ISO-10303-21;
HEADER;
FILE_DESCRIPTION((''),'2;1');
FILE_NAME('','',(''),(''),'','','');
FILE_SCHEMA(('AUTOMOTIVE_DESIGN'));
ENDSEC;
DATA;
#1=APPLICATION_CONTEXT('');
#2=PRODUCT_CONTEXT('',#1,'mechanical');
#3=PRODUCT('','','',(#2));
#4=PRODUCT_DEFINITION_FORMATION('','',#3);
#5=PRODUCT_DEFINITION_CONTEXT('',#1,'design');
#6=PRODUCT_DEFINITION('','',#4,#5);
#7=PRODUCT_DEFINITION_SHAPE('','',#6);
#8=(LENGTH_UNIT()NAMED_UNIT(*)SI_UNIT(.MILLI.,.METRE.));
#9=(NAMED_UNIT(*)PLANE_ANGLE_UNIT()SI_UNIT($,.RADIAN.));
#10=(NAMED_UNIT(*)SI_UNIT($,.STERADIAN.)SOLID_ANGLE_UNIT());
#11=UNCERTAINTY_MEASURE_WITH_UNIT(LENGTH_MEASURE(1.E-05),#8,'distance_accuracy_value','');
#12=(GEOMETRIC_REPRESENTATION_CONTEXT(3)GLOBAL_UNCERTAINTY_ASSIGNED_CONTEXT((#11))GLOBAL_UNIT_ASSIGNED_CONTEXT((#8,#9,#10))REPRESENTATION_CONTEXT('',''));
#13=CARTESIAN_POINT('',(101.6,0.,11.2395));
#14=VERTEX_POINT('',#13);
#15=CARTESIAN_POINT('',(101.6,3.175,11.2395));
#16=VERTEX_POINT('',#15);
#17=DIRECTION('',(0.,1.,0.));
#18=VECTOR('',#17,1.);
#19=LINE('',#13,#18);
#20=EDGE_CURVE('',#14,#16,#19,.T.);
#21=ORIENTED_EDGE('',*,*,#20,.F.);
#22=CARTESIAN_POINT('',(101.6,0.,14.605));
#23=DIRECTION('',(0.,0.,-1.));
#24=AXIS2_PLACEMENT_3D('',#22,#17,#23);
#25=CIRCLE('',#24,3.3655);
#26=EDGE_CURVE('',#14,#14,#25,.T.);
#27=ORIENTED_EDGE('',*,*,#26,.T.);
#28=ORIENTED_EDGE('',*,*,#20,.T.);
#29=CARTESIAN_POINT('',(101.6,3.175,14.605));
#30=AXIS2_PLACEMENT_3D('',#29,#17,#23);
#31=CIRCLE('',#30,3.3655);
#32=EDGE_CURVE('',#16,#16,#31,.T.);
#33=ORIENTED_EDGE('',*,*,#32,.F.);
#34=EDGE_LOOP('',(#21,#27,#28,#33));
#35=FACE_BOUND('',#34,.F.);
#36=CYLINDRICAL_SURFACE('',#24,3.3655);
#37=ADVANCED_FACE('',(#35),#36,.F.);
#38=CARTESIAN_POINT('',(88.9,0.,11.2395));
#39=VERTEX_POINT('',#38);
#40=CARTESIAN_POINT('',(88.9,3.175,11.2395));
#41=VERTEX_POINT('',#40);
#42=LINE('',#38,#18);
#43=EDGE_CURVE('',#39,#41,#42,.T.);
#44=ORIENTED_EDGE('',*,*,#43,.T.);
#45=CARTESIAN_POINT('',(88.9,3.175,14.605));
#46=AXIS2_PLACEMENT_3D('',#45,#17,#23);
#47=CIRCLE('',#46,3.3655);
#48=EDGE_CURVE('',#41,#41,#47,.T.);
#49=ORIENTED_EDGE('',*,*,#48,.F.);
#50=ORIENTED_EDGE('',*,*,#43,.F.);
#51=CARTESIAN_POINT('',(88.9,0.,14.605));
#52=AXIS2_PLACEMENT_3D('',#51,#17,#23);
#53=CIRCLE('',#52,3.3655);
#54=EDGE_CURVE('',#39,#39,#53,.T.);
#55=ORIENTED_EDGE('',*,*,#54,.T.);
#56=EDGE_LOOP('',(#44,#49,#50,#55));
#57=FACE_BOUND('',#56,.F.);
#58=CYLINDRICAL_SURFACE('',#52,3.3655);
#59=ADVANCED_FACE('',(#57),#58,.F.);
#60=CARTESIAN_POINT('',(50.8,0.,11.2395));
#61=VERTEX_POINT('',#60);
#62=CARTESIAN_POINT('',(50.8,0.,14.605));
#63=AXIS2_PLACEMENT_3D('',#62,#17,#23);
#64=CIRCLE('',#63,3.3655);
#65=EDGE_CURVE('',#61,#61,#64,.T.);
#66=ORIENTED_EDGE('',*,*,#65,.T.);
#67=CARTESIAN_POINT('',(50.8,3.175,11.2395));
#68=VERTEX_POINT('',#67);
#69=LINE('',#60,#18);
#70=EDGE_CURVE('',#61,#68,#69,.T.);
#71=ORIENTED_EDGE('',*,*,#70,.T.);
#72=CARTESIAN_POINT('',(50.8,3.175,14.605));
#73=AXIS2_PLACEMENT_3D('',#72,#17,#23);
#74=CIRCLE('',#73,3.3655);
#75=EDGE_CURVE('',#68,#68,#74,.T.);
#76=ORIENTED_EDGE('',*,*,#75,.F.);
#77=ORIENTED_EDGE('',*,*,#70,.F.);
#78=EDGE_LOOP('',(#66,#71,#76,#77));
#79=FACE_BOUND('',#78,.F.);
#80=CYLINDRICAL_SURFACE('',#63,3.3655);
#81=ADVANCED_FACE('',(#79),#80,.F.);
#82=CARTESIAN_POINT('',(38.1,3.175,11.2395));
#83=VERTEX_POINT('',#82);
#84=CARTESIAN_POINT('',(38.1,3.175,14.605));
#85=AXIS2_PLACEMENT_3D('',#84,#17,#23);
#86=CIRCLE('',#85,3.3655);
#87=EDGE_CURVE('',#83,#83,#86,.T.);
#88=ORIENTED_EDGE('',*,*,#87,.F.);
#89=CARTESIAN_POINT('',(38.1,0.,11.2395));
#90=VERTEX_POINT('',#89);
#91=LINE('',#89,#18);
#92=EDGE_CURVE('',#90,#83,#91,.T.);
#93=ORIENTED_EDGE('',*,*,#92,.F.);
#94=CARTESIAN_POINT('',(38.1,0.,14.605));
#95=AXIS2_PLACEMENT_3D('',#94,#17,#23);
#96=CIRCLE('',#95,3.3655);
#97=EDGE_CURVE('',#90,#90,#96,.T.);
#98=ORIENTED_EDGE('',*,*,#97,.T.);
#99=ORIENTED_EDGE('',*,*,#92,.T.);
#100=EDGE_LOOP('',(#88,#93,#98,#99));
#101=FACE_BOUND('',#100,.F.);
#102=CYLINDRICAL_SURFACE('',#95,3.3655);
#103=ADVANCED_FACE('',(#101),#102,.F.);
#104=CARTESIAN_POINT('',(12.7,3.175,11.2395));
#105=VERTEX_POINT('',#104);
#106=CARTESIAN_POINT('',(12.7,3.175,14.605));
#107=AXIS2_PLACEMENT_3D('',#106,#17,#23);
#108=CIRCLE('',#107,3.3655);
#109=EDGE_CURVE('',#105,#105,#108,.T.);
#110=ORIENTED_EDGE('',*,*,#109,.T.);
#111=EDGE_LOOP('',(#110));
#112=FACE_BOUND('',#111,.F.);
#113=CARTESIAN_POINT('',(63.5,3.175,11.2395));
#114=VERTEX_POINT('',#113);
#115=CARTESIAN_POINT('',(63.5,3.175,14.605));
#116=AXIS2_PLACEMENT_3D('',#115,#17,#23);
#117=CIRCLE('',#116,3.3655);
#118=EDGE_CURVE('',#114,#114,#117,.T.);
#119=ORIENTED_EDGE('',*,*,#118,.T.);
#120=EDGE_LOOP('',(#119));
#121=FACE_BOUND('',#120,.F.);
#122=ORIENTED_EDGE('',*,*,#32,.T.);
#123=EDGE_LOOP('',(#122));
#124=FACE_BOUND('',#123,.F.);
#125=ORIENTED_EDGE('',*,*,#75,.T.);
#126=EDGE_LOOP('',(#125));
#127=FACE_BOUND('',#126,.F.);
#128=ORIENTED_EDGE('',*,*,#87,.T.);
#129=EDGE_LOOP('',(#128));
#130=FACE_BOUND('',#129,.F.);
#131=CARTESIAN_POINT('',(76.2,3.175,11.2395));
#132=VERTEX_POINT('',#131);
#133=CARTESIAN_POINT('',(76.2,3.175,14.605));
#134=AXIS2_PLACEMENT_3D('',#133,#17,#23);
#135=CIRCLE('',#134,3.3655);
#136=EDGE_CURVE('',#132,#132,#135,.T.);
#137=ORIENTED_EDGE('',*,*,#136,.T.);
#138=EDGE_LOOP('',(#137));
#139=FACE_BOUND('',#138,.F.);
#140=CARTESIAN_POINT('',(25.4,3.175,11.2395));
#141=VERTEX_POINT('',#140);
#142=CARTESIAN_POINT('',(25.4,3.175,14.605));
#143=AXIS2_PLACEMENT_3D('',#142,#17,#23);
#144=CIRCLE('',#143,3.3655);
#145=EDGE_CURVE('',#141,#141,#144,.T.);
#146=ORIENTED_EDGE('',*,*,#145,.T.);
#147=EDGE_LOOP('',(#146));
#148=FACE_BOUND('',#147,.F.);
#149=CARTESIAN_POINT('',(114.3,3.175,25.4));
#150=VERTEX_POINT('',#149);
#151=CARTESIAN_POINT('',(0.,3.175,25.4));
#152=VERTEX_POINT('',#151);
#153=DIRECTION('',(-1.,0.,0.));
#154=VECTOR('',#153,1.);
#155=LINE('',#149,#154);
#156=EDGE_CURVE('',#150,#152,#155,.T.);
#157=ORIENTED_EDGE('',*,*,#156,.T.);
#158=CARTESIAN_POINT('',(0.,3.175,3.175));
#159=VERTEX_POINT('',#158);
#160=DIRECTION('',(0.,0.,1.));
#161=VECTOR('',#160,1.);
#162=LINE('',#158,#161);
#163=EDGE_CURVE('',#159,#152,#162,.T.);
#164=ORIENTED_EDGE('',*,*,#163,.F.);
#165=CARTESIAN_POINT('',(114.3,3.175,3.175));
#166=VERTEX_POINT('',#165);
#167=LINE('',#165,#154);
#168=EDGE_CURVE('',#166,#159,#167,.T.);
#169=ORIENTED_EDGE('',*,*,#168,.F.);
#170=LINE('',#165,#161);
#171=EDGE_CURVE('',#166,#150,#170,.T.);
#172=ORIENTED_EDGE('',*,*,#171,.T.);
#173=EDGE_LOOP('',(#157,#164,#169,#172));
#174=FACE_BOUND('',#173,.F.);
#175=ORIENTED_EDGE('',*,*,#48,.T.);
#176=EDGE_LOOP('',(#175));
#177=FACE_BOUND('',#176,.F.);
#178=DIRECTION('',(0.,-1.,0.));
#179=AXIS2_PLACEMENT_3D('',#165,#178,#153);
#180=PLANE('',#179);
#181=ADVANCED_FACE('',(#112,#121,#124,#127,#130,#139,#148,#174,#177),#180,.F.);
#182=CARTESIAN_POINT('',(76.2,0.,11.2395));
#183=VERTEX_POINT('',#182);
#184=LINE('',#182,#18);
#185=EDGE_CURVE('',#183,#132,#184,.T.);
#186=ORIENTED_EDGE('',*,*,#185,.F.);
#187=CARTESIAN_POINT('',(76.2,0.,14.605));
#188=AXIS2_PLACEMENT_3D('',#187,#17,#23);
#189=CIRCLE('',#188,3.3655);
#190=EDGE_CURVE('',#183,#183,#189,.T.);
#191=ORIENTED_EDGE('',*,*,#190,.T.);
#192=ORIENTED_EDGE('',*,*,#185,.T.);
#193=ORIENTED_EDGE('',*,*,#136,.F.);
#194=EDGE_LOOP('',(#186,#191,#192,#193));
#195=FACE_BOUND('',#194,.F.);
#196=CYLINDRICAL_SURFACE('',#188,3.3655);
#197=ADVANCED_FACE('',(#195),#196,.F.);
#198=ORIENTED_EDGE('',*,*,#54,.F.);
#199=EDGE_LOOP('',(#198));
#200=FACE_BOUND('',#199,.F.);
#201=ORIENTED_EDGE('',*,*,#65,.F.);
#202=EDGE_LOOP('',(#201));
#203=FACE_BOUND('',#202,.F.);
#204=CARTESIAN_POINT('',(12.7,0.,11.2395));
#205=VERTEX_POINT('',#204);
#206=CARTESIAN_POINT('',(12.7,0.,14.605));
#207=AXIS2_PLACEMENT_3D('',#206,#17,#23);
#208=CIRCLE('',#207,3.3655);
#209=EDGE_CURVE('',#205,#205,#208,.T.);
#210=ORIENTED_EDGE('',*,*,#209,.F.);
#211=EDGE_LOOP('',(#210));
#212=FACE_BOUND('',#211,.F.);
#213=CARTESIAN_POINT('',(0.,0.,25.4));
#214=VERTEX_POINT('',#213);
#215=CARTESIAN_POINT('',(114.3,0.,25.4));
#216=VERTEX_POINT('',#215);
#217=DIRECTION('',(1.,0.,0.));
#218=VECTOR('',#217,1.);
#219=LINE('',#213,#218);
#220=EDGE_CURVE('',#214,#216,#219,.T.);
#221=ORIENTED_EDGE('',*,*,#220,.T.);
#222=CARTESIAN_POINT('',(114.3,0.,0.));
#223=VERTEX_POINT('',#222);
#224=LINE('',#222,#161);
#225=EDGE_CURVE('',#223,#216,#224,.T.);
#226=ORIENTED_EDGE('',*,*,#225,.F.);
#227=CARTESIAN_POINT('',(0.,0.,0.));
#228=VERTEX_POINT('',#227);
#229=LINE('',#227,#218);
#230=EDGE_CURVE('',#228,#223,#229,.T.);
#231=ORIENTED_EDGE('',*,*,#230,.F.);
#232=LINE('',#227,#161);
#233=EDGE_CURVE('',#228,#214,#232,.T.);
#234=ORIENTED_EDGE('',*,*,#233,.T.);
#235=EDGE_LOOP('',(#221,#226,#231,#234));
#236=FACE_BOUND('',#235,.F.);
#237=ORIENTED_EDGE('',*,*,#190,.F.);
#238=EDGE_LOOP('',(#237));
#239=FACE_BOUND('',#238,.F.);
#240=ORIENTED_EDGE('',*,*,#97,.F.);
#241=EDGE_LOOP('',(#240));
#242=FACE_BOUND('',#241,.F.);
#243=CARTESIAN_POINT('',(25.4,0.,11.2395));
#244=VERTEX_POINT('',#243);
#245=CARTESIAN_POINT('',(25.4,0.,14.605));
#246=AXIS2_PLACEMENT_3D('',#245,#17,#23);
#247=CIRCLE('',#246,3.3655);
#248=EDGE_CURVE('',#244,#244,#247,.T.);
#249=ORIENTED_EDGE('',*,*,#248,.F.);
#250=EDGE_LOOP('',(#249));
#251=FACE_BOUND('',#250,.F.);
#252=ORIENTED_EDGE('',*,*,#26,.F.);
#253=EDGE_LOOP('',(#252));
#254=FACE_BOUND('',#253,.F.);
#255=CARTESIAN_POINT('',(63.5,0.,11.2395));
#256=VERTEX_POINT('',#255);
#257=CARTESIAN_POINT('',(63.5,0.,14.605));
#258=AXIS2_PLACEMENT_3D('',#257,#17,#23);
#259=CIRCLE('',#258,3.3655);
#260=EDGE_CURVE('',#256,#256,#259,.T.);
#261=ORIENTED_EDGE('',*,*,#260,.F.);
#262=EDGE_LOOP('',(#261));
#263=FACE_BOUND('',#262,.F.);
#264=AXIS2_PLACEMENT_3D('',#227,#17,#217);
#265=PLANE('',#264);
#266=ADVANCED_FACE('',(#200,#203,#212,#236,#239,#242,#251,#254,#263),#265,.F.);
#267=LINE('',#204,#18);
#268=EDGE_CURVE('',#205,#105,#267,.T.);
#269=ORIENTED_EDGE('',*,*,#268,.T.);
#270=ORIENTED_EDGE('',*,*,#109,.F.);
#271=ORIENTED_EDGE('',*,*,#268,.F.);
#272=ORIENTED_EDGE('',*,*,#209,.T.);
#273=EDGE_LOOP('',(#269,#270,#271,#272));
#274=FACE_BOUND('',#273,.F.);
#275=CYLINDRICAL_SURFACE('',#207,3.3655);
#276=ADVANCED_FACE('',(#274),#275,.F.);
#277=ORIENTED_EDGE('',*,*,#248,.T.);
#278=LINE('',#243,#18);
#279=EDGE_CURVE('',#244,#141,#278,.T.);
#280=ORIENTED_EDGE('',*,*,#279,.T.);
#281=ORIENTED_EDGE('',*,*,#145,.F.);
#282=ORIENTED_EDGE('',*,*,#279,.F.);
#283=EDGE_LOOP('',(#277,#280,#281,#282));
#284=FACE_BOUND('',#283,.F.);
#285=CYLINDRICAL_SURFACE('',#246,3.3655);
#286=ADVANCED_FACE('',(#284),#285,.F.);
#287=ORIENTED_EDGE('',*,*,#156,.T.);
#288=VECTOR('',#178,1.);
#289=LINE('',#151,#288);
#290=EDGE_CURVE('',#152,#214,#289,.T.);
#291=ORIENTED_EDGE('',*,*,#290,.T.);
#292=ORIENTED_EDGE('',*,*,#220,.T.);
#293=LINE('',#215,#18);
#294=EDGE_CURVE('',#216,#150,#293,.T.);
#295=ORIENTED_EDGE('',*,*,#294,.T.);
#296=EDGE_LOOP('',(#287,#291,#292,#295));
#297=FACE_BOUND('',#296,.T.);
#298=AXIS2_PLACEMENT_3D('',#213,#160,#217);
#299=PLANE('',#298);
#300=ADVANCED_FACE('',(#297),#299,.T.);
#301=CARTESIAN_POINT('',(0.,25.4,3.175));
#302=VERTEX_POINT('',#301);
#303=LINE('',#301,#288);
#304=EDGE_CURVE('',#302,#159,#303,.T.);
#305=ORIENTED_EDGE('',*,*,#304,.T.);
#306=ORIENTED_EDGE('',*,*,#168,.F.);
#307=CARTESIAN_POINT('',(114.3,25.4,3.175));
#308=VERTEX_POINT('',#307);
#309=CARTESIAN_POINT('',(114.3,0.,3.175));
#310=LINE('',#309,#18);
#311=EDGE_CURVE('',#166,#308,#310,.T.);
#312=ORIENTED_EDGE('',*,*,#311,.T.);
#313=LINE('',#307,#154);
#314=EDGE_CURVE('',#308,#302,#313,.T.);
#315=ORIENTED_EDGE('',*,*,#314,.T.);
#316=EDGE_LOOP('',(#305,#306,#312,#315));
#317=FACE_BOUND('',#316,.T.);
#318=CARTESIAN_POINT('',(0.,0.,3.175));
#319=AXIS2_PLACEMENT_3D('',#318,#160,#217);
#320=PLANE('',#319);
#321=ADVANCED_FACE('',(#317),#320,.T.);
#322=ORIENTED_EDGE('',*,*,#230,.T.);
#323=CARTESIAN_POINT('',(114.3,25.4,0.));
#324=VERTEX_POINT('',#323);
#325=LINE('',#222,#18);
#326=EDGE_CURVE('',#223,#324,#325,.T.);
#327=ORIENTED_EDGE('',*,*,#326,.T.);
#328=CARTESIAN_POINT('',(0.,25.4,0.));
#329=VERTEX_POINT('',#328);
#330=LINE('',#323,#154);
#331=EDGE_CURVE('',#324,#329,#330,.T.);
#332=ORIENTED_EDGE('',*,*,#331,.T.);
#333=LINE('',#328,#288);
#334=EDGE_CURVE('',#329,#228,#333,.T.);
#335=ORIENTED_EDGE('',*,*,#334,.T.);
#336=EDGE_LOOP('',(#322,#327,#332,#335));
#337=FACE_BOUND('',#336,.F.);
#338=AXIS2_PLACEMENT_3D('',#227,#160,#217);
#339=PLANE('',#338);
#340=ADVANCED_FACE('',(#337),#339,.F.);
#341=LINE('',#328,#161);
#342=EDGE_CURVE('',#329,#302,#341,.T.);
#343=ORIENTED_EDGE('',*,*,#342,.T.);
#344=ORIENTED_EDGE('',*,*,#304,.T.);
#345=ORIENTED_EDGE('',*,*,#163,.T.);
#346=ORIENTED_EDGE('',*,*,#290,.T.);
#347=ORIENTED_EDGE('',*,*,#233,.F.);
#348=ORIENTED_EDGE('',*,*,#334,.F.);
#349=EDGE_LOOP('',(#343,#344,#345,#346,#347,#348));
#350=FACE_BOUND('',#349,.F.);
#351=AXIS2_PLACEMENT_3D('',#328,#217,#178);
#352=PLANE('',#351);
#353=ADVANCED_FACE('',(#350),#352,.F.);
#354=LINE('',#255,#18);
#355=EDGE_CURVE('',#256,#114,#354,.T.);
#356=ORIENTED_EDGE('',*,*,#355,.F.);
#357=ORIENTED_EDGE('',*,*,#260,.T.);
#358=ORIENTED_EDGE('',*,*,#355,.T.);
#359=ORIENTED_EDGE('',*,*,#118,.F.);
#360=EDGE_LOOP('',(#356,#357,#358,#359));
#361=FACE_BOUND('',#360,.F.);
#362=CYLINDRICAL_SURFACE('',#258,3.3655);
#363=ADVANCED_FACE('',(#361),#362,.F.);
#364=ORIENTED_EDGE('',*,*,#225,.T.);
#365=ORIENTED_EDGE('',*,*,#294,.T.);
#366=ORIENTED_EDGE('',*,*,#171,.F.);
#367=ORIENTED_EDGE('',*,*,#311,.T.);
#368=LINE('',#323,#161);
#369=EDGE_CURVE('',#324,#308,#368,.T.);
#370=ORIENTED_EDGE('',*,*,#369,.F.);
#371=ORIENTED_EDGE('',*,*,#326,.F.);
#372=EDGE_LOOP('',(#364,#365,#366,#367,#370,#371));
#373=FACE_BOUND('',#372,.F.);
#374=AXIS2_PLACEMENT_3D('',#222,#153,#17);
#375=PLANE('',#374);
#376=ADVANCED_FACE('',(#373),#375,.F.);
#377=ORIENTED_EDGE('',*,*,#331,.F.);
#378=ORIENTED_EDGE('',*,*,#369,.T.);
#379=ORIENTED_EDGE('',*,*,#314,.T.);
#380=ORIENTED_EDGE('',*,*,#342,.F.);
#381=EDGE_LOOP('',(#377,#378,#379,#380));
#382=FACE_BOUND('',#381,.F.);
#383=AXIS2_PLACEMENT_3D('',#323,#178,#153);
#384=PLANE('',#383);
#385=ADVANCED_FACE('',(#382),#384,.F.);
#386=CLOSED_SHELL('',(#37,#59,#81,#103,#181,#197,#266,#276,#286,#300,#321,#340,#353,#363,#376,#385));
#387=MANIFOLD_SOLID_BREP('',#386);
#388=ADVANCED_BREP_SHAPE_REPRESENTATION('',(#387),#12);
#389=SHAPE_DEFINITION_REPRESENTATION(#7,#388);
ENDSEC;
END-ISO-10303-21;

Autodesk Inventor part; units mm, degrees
ref_plane "YZ Plane" through (0, 0, 0) normal (1, 0, 0) x (0, 1, 0)
ref_plane "XZ Plane" through (0, 0, 0) normal (0, 1, 0) x (-1, 0, 0)
ref_plane "XY Plane" through (0, 0, 0) normal (0, 0, 1) x (1, 0, 0)
sketch "Sketch1" plane through (0, 0, 0) normal (0, 0, 1) x (1, 0, 0)
  line L0 (0, 0) -> (114.3, 0)
  line L1 (114.3, 0) -> (114.3, 25.4)
  line L2 (114.3, 25.4) -> (0, 25.4)
  line L3 (0, 25.4) -> (0, 0)
  dimension "d0" = 114.3
  dimension "d1" = 25.4
extrude "Extrusion1" add sketch "Sketch1" along normal blind 3.175
sketch "Sketch2" plane through (0, 0, 3.175) normal (0, 0, 1) x (1, 0, 0)
  line L0 (0, 0) -> (114.3, 0) projected
  line L1 (0, 0) -> (114.3, 0)
  line L2 (114.3, 0) -> (114.3, 3.175)
  line L3 (114.3, 0) -> (114.3, 25.4) projected
  line L4 (114.3, 3.175) -> (0, 3.175)
  line L5 (0, 3.175) -> (0, 0)
  dimension "d4" = 3.175
extrude "Extrusion2" add sketch "Sketch2" along normal blind 22.225
sketch "Sketch3" plane through (0, 0, 0) normal (0, -1, 0) x (1, 0, 0)
  line L0 (0, 0) -> (0, 25.4) projected
  line L1 (114.3, 0) -> (114.3, 25.4) projected
  line L2 (0, 0) -> (114.3, 0) projected
  point P0 (12.7, 14.605)
  point P1 (38.1, 14.605)
  point P2 (50.8, 14.605)
  point P3 (63.5, 14.605)
  point P4 (76.2, 14.605)
  point P5 (88.9, 14.605)
  point P6 (101.6, 14.605)
  point P7 (25.4, 14.605)
  dimension "d7" = 12.7
  dimension "d9" = 12.7
  dimension "d10" = 12.7
  dimension "d11" = 12.7
  dimension "d12" = 12.7
  dimension "d13" = 12.7
  dimension "d14" = 12.7
  dimension "d15" = 14.605
  dimension "d16" = 14.605
  dimension "d17" = 14.605
  dimension "d18" = 14.605
  dimension "d19" = 14.605
  dimension "d20" = 14.605
  dimension "d21" = 14.605
  dimension "d29" = 12.7
  dimension "d30" = 14.605
hole "Hole1" at (12.7, 0, 14.605) at (38.1, 0, 14.605) at (50.8, 0, 14.605) at (63.5, 0, 14.605) at (76.2, 0, 14.605) at (88.9, 0, 14.605) at (101.6, 0, 14.605) at (25.4, 0, 14.605) direction (0, 1, 0) diameter 6.731 depth 25.4 tip angle 118
properties part number "4 L aluminum piece for transmission bracket"
